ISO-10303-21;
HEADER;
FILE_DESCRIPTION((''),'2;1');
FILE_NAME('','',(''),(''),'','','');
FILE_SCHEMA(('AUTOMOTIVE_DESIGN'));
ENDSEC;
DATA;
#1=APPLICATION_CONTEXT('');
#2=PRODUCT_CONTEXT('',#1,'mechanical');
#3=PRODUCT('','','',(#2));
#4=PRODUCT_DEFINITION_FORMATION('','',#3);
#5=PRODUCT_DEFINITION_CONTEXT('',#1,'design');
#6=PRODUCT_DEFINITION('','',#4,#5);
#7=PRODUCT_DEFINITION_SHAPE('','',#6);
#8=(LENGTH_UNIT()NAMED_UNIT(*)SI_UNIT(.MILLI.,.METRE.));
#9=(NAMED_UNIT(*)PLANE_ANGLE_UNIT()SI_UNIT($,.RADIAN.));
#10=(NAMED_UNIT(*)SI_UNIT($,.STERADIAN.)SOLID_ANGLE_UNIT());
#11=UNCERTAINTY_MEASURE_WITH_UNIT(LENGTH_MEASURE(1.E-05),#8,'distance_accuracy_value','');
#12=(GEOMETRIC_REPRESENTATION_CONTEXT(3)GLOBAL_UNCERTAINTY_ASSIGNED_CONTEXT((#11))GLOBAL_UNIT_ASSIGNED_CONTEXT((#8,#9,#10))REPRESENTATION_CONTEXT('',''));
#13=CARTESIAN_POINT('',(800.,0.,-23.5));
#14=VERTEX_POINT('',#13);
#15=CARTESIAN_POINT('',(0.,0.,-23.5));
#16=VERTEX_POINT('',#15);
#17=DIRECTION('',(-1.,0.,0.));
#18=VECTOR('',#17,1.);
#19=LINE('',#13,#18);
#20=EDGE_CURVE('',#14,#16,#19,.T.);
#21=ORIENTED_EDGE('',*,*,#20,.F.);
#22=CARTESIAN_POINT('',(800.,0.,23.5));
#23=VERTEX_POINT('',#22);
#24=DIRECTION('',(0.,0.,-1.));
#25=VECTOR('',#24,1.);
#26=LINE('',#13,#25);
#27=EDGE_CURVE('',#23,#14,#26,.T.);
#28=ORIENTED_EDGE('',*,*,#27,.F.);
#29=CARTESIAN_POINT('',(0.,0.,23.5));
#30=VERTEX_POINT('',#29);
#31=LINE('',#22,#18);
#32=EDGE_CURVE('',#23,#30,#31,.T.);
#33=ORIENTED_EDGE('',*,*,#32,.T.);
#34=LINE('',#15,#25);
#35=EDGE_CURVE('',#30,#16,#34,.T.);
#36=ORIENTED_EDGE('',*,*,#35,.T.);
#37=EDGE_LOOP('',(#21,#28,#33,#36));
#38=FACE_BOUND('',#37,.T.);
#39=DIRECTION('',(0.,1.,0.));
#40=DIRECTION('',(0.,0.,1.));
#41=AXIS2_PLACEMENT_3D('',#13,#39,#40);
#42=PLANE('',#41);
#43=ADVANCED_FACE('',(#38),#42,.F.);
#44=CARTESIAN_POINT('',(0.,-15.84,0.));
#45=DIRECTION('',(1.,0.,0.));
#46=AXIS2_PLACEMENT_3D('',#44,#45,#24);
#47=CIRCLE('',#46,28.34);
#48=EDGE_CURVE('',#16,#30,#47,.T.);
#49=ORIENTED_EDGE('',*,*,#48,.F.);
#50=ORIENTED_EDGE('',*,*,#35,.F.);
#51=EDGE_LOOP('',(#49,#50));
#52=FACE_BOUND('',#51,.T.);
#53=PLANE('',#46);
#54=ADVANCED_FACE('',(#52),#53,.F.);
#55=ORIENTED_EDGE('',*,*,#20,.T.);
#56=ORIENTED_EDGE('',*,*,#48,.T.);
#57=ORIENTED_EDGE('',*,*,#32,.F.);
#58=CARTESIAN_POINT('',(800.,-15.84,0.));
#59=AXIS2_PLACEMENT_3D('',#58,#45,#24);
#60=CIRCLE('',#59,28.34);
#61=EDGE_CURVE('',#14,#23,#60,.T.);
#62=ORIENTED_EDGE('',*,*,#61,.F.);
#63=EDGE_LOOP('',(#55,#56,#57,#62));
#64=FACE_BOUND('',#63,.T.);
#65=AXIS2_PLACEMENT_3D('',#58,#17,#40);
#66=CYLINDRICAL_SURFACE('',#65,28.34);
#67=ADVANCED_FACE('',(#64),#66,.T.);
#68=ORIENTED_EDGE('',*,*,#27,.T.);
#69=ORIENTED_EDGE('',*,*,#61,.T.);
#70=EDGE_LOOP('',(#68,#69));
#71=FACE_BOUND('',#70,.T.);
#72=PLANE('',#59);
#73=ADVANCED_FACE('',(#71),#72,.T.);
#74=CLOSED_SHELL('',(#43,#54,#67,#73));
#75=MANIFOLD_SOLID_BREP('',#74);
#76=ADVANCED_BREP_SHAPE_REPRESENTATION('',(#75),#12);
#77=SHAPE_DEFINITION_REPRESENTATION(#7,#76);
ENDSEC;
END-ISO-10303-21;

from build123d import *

# Parameters (mm, degrees)
EXTRUDE_1_DEPTH = 800


with BuildPart() as part:
    # 草图1 → 凸台-拉伸1 (new body)
    with BuildSketch(Plane(origin=(0, 0, 0), x_dir=(0, 0, -1), z_dir=(1, 0, 0))):
        with BuildLine():
            Line((23.5, 0), (-23.5, 0))
            ThreePointArc((-23.5, 0), (0, 12.5), (23.5, 0))
        make_face()
    extrude(amount=EXTRUDE_1_DEPTH)


solid = part.part
